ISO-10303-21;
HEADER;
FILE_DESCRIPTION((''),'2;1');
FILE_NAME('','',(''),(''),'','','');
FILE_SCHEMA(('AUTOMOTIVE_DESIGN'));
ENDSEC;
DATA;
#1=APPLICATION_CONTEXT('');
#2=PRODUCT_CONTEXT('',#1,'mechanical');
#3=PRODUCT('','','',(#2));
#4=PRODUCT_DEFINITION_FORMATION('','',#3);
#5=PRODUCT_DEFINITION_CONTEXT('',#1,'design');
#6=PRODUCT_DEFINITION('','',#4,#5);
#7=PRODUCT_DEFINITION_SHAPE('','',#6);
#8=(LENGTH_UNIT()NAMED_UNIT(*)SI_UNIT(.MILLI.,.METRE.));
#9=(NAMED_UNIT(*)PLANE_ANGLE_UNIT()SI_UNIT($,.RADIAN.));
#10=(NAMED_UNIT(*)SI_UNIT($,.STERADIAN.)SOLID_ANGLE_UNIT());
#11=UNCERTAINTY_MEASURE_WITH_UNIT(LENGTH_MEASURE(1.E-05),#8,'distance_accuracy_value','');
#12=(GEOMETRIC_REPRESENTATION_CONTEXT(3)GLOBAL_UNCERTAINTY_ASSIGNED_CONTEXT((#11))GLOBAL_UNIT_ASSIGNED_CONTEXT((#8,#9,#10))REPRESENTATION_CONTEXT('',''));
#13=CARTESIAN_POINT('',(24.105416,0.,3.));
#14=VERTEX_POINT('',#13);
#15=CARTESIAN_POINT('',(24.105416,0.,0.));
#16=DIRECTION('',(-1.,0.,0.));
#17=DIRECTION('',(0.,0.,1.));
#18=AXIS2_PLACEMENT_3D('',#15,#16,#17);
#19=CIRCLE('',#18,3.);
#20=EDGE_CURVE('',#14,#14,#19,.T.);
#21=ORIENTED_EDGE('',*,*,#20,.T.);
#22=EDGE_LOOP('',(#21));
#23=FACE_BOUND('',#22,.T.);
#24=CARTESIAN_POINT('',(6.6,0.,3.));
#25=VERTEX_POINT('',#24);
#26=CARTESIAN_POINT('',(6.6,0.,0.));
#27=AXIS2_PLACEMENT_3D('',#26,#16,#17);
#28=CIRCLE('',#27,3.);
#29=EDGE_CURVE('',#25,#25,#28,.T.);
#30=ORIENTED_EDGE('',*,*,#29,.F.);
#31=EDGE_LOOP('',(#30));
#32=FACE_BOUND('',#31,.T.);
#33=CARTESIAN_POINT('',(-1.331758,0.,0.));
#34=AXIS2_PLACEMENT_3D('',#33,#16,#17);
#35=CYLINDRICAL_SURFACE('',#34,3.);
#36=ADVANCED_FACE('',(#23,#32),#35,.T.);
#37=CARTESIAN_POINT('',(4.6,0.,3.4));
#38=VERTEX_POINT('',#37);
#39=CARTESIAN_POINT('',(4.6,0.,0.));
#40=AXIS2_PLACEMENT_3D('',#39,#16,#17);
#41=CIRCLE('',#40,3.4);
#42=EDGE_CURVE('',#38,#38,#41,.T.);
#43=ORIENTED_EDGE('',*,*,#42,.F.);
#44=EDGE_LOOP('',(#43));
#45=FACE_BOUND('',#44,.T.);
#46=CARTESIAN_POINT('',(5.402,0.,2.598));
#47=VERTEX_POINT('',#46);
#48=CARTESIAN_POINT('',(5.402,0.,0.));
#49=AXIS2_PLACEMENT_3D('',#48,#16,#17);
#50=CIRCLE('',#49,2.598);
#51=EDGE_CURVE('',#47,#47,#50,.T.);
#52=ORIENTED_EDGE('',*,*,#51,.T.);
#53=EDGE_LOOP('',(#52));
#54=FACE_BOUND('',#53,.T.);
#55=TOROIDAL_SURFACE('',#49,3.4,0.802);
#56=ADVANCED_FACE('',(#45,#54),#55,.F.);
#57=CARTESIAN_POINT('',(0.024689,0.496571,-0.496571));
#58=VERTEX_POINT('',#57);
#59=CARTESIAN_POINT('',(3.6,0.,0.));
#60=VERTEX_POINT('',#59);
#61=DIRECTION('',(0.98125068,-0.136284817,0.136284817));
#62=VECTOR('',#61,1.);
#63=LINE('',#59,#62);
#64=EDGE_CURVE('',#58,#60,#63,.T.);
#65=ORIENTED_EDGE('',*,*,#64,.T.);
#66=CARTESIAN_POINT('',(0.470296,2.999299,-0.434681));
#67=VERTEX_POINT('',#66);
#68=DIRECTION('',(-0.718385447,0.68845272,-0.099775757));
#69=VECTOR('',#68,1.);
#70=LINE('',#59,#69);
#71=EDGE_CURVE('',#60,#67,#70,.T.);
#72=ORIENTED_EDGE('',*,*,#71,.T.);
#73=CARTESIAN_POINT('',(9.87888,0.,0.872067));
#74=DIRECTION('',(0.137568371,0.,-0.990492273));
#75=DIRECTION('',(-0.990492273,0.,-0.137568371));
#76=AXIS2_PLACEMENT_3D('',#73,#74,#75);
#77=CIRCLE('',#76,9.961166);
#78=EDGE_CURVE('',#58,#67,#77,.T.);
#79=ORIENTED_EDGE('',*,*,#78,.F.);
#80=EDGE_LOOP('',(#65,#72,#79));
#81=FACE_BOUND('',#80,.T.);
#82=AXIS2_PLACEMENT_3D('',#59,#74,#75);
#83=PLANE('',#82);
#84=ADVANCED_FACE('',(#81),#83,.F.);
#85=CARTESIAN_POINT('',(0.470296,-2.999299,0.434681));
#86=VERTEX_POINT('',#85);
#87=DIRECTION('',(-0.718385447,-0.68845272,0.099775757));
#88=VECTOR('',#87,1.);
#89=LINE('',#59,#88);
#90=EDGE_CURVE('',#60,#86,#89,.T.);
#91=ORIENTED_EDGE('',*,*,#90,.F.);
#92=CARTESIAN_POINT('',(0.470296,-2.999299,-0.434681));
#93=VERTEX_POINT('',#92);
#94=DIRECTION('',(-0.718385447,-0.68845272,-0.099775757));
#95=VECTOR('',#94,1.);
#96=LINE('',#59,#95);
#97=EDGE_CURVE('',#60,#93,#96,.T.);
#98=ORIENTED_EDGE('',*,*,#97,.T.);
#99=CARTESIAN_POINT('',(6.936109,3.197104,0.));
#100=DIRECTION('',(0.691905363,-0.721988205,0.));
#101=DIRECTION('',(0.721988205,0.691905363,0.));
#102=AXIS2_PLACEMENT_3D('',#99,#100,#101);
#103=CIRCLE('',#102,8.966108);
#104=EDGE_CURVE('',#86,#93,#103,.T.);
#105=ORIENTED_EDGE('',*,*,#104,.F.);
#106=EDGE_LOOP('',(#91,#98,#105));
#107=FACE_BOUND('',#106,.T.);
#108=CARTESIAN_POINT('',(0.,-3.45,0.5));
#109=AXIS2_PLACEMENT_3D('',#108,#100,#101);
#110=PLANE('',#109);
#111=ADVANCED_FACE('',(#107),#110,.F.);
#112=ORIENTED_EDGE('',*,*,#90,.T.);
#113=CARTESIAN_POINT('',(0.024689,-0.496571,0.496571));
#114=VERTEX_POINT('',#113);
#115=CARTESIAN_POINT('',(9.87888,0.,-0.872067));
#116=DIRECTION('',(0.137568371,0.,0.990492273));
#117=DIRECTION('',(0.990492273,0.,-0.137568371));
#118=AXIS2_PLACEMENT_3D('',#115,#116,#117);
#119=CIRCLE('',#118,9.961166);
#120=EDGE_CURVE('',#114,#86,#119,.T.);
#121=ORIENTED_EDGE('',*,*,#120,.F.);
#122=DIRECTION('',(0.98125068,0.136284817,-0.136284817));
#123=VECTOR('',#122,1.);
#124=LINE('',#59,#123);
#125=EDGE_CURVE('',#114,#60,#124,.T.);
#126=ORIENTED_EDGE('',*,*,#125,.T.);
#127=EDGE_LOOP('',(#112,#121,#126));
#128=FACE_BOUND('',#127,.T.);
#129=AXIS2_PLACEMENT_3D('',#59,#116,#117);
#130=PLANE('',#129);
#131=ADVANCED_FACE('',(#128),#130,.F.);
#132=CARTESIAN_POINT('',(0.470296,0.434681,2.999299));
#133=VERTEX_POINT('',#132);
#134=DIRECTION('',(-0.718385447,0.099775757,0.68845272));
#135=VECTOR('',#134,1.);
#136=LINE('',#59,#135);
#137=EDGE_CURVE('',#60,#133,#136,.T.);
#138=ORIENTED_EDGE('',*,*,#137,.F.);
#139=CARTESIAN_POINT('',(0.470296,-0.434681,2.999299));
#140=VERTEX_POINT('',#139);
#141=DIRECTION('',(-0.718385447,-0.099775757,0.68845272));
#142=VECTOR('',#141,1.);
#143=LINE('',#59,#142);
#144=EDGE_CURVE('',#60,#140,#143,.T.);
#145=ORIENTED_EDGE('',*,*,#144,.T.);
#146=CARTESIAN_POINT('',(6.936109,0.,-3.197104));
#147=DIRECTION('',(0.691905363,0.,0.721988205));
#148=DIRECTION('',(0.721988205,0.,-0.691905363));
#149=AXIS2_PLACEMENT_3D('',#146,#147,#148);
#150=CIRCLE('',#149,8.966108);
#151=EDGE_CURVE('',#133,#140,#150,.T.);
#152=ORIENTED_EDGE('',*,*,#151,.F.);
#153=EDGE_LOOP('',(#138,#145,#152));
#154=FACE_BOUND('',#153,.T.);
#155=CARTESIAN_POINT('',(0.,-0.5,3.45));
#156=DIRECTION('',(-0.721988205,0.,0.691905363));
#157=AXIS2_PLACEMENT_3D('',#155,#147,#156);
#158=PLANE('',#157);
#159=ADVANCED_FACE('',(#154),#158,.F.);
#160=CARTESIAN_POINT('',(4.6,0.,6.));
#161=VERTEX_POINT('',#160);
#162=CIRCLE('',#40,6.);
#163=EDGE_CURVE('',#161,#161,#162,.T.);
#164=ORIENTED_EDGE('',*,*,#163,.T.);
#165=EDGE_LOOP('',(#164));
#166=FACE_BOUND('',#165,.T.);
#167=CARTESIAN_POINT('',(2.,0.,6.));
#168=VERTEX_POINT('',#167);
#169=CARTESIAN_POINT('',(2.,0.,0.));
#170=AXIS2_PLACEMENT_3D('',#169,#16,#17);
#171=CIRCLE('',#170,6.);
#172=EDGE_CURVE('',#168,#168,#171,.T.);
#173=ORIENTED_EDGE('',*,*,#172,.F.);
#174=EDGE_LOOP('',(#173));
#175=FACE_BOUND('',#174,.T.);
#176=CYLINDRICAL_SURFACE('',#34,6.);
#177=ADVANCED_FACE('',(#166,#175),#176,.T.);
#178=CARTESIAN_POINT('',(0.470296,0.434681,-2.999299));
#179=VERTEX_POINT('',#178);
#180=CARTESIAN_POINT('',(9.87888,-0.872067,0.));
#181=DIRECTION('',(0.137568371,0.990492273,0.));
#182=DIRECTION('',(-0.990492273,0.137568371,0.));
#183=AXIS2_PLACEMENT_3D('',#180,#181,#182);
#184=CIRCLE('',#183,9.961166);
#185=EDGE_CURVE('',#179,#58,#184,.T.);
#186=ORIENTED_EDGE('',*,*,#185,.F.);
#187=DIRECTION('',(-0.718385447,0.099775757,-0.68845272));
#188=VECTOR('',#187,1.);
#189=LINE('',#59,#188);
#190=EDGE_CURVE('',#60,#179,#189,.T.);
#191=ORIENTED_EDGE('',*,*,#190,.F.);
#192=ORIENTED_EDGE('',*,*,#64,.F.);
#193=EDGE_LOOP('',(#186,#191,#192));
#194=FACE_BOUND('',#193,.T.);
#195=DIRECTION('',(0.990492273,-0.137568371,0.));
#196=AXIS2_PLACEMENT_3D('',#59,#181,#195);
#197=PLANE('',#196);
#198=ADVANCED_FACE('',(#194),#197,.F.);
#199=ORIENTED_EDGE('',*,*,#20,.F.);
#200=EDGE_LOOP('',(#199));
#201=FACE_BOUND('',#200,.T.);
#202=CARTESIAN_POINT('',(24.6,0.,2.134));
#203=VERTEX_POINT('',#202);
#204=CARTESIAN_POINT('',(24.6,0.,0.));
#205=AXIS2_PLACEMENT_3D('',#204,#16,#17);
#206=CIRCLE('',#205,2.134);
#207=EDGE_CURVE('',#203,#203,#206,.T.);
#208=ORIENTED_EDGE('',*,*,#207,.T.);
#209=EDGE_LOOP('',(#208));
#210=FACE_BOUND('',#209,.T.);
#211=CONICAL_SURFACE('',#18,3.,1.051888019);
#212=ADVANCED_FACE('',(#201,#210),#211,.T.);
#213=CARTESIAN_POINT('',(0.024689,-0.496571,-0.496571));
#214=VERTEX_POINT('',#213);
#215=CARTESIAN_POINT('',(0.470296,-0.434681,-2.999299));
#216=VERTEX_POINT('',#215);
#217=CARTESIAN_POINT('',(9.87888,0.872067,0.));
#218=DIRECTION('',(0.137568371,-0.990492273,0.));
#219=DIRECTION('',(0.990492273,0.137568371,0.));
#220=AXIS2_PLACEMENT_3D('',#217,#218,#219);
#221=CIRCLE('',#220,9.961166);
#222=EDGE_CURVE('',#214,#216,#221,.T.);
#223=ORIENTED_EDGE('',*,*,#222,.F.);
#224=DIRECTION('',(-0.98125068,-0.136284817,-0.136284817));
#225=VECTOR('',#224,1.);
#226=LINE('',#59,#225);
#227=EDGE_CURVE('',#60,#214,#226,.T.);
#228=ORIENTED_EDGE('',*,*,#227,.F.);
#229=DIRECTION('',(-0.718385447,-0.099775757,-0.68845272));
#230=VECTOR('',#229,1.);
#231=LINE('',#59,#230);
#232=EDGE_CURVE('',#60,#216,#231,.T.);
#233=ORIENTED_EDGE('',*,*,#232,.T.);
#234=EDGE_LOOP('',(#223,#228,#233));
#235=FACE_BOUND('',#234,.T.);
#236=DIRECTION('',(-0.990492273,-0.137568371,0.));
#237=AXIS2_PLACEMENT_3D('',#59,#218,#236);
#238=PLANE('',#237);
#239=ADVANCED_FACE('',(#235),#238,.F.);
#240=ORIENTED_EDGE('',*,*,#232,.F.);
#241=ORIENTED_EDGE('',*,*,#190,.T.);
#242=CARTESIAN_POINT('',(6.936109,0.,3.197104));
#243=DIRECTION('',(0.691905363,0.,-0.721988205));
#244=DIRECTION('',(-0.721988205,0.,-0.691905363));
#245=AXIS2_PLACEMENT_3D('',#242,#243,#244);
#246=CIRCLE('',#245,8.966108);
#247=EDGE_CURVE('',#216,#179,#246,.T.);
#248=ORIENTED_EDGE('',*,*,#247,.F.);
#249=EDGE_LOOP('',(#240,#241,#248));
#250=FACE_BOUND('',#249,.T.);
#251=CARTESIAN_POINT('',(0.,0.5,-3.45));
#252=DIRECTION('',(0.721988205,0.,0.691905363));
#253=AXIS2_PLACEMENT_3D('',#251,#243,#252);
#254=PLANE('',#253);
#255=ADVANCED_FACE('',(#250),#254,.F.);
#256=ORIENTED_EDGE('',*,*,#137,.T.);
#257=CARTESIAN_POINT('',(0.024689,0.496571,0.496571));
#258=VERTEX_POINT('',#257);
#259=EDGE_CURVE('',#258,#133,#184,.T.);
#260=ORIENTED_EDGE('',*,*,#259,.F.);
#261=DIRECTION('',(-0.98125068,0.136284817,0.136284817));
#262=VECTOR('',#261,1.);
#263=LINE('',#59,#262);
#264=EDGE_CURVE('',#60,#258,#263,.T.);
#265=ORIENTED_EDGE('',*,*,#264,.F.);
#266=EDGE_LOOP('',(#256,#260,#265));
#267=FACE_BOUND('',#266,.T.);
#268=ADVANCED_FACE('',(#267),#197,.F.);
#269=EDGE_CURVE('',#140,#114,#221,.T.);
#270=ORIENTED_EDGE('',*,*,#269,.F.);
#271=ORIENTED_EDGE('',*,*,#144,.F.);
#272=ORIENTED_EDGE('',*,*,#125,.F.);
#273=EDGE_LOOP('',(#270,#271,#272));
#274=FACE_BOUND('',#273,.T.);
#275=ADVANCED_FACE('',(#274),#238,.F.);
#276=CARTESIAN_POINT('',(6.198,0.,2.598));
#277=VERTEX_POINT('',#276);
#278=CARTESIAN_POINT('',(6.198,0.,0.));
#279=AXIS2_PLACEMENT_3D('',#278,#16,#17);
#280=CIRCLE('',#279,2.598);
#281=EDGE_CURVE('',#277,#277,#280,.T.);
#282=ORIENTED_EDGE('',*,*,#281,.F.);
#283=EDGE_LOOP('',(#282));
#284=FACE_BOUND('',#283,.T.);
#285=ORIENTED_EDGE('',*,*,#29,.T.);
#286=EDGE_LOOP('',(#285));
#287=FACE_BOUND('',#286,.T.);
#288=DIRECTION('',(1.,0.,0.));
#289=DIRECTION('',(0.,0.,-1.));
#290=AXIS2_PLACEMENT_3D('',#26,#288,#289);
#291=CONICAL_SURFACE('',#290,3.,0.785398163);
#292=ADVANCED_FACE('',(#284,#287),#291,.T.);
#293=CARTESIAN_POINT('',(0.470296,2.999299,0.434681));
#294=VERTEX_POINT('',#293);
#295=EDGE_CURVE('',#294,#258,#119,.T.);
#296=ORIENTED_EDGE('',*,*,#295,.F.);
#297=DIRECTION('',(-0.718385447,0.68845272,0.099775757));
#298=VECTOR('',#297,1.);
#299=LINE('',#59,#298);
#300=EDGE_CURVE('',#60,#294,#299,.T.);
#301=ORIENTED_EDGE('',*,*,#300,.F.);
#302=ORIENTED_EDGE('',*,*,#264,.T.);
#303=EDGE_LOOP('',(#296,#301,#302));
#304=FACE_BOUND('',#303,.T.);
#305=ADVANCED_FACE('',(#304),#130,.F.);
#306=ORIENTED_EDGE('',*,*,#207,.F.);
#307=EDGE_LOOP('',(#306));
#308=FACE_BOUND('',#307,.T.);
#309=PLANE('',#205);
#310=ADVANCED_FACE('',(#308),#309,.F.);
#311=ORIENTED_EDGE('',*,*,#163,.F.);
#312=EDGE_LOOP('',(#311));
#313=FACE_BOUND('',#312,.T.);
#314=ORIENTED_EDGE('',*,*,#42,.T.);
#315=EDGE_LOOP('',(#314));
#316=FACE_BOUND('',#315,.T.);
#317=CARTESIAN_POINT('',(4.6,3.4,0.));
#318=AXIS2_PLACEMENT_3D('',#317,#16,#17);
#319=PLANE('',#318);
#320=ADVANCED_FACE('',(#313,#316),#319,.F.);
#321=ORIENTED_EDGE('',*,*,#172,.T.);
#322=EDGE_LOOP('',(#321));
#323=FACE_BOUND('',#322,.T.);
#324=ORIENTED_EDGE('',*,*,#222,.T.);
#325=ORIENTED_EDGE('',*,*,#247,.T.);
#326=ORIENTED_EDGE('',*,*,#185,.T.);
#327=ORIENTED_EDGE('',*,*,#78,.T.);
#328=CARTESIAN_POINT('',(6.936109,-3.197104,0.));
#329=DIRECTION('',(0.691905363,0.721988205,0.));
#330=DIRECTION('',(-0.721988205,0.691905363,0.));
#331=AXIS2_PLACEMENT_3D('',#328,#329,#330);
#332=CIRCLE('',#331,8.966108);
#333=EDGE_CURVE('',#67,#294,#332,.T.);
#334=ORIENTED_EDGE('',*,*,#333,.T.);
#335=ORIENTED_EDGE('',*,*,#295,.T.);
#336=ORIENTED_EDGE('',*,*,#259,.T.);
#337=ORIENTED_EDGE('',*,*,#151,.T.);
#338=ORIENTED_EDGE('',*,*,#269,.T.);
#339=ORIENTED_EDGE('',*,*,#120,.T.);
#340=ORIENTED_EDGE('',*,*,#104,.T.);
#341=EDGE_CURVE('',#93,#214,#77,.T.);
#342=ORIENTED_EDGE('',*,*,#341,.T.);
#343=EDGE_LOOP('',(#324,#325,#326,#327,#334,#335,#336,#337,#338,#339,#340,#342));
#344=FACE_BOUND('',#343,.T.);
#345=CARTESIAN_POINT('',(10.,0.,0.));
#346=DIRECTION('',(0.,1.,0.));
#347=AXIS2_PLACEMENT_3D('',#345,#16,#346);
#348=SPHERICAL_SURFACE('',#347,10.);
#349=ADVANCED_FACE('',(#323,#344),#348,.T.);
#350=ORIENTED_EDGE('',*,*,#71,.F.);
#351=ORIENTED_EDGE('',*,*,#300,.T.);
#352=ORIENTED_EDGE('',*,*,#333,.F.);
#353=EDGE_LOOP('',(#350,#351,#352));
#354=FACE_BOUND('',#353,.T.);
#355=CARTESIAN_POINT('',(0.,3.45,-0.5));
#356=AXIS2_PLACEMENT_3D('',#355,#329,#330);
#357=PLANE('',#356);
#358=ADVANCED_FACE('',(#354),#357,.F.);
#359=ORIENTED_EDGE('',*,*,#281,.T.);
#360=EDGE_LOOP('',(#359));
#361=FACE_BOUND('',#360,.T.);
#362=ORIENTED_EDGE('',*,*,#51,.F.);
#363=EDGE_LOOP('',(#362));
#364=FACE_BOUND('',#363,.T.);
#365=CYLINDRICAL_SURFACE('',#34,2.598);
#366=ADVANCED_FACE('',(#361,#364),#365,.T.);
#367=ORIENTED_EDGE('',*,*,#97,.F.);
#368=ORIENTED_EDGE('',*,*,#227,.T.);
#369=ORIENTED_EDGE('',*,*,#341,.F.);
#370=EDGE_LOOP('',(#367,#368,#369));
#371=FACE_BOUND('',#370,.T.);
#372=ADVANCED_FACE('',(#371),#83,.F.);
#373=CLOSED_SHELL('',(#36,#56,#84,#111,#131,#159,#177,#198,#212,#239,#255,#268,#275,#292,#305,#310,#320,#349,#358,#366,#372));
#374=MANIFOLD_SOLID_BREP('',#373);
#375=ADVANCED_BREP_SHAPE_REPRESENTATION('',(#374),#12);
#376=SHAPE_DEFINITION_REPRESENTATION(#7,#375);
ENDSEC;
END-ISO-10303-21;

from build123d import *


with BuildPart() as part:
    # 草图2 → Revolve 706 (revolve)
    with BuildSketch(Plane.XY, mode=Mode.PRIVATE) as revolve_706_sk:
        with BuildLine():
            Line((0, 0), (24.6, 0))
            Line((24.6, 0), (24.6, 3))
            Line((24.6, 3), (6.6, 3))
            Line((6.6, 3), (6.198, 2.598))
            Line((6.198, 2.598), (5.402, 2.598))
            ThreePointArc((5.402, 2.598), (4.834900361, 2.832900361), (4.6, 3.4))
            Line((4.6, 3.4), (4.6, 6))
            Line((4.6, 6), (2, 6))
            ThreePointArc((2, 6), (0.513167019, 3.16227766), (0, 0))
        make_face()
    revolve(revolve_706_sk.sketch.rotate(Axis((-1.331757704, 0, 0), (1, 0, 0)), 90), axis=Axis((-1.331757704, 0, 0), (1, 0, 0)))

    # 草图3 → 切除-旋转1 (revolve, cut)
    with BuildSketch(Plane.XY, mode=Mode.PRIVATE) as cut_revolve_1_sk:
        Polygon((24.105416006, 3), (25.105416006, 3), (24.6, 2.134), align=None)
    revolve(cut_revolve_1_sk.sketch.rotate(Axis((-0.242766179, 0, 0), (1, 0, 0)), 90), axis=Axis((-0.242766179, 0, 0), (1, 0, 0)), mode=Mode.SUBTRACT)

    # 草图5 → 切除-放样1 section 0
    with BuildSketch(Plane(origin=(0, 0, 0), x_dir=(0, 0, -1), z_dir=(1, 0, 0)), mode=Mode.PRIVATE) as loft_1_s0:
        with BuildLine():
            Line((0.5, 3.45), (-0.5, 3.45))
            Line((-0.5, 3.45), (-0.5, -3.45))
            Line((-0.5, -3.45), (0.5, -3.45))
            Line((0.5, -3.45), (0.5, 3.45))
        make_face()
    loft_1 = loft([Vertex(3.6, 0, 0), loft_1_s0.sketch], mode=Mode.SUBTRACT)

    # 镜向1: 切除-放样1 across plane
    add(loft_1.mirror(Plane(origin=(0, 0, 0), x_dir=(0, 0.7071067811865462, 0.7071067811865488), z_dir=(0, -0.7071067811865488, 0.7071067811865462))), mode=Mode.SUBTRACT)


solid = part.part
